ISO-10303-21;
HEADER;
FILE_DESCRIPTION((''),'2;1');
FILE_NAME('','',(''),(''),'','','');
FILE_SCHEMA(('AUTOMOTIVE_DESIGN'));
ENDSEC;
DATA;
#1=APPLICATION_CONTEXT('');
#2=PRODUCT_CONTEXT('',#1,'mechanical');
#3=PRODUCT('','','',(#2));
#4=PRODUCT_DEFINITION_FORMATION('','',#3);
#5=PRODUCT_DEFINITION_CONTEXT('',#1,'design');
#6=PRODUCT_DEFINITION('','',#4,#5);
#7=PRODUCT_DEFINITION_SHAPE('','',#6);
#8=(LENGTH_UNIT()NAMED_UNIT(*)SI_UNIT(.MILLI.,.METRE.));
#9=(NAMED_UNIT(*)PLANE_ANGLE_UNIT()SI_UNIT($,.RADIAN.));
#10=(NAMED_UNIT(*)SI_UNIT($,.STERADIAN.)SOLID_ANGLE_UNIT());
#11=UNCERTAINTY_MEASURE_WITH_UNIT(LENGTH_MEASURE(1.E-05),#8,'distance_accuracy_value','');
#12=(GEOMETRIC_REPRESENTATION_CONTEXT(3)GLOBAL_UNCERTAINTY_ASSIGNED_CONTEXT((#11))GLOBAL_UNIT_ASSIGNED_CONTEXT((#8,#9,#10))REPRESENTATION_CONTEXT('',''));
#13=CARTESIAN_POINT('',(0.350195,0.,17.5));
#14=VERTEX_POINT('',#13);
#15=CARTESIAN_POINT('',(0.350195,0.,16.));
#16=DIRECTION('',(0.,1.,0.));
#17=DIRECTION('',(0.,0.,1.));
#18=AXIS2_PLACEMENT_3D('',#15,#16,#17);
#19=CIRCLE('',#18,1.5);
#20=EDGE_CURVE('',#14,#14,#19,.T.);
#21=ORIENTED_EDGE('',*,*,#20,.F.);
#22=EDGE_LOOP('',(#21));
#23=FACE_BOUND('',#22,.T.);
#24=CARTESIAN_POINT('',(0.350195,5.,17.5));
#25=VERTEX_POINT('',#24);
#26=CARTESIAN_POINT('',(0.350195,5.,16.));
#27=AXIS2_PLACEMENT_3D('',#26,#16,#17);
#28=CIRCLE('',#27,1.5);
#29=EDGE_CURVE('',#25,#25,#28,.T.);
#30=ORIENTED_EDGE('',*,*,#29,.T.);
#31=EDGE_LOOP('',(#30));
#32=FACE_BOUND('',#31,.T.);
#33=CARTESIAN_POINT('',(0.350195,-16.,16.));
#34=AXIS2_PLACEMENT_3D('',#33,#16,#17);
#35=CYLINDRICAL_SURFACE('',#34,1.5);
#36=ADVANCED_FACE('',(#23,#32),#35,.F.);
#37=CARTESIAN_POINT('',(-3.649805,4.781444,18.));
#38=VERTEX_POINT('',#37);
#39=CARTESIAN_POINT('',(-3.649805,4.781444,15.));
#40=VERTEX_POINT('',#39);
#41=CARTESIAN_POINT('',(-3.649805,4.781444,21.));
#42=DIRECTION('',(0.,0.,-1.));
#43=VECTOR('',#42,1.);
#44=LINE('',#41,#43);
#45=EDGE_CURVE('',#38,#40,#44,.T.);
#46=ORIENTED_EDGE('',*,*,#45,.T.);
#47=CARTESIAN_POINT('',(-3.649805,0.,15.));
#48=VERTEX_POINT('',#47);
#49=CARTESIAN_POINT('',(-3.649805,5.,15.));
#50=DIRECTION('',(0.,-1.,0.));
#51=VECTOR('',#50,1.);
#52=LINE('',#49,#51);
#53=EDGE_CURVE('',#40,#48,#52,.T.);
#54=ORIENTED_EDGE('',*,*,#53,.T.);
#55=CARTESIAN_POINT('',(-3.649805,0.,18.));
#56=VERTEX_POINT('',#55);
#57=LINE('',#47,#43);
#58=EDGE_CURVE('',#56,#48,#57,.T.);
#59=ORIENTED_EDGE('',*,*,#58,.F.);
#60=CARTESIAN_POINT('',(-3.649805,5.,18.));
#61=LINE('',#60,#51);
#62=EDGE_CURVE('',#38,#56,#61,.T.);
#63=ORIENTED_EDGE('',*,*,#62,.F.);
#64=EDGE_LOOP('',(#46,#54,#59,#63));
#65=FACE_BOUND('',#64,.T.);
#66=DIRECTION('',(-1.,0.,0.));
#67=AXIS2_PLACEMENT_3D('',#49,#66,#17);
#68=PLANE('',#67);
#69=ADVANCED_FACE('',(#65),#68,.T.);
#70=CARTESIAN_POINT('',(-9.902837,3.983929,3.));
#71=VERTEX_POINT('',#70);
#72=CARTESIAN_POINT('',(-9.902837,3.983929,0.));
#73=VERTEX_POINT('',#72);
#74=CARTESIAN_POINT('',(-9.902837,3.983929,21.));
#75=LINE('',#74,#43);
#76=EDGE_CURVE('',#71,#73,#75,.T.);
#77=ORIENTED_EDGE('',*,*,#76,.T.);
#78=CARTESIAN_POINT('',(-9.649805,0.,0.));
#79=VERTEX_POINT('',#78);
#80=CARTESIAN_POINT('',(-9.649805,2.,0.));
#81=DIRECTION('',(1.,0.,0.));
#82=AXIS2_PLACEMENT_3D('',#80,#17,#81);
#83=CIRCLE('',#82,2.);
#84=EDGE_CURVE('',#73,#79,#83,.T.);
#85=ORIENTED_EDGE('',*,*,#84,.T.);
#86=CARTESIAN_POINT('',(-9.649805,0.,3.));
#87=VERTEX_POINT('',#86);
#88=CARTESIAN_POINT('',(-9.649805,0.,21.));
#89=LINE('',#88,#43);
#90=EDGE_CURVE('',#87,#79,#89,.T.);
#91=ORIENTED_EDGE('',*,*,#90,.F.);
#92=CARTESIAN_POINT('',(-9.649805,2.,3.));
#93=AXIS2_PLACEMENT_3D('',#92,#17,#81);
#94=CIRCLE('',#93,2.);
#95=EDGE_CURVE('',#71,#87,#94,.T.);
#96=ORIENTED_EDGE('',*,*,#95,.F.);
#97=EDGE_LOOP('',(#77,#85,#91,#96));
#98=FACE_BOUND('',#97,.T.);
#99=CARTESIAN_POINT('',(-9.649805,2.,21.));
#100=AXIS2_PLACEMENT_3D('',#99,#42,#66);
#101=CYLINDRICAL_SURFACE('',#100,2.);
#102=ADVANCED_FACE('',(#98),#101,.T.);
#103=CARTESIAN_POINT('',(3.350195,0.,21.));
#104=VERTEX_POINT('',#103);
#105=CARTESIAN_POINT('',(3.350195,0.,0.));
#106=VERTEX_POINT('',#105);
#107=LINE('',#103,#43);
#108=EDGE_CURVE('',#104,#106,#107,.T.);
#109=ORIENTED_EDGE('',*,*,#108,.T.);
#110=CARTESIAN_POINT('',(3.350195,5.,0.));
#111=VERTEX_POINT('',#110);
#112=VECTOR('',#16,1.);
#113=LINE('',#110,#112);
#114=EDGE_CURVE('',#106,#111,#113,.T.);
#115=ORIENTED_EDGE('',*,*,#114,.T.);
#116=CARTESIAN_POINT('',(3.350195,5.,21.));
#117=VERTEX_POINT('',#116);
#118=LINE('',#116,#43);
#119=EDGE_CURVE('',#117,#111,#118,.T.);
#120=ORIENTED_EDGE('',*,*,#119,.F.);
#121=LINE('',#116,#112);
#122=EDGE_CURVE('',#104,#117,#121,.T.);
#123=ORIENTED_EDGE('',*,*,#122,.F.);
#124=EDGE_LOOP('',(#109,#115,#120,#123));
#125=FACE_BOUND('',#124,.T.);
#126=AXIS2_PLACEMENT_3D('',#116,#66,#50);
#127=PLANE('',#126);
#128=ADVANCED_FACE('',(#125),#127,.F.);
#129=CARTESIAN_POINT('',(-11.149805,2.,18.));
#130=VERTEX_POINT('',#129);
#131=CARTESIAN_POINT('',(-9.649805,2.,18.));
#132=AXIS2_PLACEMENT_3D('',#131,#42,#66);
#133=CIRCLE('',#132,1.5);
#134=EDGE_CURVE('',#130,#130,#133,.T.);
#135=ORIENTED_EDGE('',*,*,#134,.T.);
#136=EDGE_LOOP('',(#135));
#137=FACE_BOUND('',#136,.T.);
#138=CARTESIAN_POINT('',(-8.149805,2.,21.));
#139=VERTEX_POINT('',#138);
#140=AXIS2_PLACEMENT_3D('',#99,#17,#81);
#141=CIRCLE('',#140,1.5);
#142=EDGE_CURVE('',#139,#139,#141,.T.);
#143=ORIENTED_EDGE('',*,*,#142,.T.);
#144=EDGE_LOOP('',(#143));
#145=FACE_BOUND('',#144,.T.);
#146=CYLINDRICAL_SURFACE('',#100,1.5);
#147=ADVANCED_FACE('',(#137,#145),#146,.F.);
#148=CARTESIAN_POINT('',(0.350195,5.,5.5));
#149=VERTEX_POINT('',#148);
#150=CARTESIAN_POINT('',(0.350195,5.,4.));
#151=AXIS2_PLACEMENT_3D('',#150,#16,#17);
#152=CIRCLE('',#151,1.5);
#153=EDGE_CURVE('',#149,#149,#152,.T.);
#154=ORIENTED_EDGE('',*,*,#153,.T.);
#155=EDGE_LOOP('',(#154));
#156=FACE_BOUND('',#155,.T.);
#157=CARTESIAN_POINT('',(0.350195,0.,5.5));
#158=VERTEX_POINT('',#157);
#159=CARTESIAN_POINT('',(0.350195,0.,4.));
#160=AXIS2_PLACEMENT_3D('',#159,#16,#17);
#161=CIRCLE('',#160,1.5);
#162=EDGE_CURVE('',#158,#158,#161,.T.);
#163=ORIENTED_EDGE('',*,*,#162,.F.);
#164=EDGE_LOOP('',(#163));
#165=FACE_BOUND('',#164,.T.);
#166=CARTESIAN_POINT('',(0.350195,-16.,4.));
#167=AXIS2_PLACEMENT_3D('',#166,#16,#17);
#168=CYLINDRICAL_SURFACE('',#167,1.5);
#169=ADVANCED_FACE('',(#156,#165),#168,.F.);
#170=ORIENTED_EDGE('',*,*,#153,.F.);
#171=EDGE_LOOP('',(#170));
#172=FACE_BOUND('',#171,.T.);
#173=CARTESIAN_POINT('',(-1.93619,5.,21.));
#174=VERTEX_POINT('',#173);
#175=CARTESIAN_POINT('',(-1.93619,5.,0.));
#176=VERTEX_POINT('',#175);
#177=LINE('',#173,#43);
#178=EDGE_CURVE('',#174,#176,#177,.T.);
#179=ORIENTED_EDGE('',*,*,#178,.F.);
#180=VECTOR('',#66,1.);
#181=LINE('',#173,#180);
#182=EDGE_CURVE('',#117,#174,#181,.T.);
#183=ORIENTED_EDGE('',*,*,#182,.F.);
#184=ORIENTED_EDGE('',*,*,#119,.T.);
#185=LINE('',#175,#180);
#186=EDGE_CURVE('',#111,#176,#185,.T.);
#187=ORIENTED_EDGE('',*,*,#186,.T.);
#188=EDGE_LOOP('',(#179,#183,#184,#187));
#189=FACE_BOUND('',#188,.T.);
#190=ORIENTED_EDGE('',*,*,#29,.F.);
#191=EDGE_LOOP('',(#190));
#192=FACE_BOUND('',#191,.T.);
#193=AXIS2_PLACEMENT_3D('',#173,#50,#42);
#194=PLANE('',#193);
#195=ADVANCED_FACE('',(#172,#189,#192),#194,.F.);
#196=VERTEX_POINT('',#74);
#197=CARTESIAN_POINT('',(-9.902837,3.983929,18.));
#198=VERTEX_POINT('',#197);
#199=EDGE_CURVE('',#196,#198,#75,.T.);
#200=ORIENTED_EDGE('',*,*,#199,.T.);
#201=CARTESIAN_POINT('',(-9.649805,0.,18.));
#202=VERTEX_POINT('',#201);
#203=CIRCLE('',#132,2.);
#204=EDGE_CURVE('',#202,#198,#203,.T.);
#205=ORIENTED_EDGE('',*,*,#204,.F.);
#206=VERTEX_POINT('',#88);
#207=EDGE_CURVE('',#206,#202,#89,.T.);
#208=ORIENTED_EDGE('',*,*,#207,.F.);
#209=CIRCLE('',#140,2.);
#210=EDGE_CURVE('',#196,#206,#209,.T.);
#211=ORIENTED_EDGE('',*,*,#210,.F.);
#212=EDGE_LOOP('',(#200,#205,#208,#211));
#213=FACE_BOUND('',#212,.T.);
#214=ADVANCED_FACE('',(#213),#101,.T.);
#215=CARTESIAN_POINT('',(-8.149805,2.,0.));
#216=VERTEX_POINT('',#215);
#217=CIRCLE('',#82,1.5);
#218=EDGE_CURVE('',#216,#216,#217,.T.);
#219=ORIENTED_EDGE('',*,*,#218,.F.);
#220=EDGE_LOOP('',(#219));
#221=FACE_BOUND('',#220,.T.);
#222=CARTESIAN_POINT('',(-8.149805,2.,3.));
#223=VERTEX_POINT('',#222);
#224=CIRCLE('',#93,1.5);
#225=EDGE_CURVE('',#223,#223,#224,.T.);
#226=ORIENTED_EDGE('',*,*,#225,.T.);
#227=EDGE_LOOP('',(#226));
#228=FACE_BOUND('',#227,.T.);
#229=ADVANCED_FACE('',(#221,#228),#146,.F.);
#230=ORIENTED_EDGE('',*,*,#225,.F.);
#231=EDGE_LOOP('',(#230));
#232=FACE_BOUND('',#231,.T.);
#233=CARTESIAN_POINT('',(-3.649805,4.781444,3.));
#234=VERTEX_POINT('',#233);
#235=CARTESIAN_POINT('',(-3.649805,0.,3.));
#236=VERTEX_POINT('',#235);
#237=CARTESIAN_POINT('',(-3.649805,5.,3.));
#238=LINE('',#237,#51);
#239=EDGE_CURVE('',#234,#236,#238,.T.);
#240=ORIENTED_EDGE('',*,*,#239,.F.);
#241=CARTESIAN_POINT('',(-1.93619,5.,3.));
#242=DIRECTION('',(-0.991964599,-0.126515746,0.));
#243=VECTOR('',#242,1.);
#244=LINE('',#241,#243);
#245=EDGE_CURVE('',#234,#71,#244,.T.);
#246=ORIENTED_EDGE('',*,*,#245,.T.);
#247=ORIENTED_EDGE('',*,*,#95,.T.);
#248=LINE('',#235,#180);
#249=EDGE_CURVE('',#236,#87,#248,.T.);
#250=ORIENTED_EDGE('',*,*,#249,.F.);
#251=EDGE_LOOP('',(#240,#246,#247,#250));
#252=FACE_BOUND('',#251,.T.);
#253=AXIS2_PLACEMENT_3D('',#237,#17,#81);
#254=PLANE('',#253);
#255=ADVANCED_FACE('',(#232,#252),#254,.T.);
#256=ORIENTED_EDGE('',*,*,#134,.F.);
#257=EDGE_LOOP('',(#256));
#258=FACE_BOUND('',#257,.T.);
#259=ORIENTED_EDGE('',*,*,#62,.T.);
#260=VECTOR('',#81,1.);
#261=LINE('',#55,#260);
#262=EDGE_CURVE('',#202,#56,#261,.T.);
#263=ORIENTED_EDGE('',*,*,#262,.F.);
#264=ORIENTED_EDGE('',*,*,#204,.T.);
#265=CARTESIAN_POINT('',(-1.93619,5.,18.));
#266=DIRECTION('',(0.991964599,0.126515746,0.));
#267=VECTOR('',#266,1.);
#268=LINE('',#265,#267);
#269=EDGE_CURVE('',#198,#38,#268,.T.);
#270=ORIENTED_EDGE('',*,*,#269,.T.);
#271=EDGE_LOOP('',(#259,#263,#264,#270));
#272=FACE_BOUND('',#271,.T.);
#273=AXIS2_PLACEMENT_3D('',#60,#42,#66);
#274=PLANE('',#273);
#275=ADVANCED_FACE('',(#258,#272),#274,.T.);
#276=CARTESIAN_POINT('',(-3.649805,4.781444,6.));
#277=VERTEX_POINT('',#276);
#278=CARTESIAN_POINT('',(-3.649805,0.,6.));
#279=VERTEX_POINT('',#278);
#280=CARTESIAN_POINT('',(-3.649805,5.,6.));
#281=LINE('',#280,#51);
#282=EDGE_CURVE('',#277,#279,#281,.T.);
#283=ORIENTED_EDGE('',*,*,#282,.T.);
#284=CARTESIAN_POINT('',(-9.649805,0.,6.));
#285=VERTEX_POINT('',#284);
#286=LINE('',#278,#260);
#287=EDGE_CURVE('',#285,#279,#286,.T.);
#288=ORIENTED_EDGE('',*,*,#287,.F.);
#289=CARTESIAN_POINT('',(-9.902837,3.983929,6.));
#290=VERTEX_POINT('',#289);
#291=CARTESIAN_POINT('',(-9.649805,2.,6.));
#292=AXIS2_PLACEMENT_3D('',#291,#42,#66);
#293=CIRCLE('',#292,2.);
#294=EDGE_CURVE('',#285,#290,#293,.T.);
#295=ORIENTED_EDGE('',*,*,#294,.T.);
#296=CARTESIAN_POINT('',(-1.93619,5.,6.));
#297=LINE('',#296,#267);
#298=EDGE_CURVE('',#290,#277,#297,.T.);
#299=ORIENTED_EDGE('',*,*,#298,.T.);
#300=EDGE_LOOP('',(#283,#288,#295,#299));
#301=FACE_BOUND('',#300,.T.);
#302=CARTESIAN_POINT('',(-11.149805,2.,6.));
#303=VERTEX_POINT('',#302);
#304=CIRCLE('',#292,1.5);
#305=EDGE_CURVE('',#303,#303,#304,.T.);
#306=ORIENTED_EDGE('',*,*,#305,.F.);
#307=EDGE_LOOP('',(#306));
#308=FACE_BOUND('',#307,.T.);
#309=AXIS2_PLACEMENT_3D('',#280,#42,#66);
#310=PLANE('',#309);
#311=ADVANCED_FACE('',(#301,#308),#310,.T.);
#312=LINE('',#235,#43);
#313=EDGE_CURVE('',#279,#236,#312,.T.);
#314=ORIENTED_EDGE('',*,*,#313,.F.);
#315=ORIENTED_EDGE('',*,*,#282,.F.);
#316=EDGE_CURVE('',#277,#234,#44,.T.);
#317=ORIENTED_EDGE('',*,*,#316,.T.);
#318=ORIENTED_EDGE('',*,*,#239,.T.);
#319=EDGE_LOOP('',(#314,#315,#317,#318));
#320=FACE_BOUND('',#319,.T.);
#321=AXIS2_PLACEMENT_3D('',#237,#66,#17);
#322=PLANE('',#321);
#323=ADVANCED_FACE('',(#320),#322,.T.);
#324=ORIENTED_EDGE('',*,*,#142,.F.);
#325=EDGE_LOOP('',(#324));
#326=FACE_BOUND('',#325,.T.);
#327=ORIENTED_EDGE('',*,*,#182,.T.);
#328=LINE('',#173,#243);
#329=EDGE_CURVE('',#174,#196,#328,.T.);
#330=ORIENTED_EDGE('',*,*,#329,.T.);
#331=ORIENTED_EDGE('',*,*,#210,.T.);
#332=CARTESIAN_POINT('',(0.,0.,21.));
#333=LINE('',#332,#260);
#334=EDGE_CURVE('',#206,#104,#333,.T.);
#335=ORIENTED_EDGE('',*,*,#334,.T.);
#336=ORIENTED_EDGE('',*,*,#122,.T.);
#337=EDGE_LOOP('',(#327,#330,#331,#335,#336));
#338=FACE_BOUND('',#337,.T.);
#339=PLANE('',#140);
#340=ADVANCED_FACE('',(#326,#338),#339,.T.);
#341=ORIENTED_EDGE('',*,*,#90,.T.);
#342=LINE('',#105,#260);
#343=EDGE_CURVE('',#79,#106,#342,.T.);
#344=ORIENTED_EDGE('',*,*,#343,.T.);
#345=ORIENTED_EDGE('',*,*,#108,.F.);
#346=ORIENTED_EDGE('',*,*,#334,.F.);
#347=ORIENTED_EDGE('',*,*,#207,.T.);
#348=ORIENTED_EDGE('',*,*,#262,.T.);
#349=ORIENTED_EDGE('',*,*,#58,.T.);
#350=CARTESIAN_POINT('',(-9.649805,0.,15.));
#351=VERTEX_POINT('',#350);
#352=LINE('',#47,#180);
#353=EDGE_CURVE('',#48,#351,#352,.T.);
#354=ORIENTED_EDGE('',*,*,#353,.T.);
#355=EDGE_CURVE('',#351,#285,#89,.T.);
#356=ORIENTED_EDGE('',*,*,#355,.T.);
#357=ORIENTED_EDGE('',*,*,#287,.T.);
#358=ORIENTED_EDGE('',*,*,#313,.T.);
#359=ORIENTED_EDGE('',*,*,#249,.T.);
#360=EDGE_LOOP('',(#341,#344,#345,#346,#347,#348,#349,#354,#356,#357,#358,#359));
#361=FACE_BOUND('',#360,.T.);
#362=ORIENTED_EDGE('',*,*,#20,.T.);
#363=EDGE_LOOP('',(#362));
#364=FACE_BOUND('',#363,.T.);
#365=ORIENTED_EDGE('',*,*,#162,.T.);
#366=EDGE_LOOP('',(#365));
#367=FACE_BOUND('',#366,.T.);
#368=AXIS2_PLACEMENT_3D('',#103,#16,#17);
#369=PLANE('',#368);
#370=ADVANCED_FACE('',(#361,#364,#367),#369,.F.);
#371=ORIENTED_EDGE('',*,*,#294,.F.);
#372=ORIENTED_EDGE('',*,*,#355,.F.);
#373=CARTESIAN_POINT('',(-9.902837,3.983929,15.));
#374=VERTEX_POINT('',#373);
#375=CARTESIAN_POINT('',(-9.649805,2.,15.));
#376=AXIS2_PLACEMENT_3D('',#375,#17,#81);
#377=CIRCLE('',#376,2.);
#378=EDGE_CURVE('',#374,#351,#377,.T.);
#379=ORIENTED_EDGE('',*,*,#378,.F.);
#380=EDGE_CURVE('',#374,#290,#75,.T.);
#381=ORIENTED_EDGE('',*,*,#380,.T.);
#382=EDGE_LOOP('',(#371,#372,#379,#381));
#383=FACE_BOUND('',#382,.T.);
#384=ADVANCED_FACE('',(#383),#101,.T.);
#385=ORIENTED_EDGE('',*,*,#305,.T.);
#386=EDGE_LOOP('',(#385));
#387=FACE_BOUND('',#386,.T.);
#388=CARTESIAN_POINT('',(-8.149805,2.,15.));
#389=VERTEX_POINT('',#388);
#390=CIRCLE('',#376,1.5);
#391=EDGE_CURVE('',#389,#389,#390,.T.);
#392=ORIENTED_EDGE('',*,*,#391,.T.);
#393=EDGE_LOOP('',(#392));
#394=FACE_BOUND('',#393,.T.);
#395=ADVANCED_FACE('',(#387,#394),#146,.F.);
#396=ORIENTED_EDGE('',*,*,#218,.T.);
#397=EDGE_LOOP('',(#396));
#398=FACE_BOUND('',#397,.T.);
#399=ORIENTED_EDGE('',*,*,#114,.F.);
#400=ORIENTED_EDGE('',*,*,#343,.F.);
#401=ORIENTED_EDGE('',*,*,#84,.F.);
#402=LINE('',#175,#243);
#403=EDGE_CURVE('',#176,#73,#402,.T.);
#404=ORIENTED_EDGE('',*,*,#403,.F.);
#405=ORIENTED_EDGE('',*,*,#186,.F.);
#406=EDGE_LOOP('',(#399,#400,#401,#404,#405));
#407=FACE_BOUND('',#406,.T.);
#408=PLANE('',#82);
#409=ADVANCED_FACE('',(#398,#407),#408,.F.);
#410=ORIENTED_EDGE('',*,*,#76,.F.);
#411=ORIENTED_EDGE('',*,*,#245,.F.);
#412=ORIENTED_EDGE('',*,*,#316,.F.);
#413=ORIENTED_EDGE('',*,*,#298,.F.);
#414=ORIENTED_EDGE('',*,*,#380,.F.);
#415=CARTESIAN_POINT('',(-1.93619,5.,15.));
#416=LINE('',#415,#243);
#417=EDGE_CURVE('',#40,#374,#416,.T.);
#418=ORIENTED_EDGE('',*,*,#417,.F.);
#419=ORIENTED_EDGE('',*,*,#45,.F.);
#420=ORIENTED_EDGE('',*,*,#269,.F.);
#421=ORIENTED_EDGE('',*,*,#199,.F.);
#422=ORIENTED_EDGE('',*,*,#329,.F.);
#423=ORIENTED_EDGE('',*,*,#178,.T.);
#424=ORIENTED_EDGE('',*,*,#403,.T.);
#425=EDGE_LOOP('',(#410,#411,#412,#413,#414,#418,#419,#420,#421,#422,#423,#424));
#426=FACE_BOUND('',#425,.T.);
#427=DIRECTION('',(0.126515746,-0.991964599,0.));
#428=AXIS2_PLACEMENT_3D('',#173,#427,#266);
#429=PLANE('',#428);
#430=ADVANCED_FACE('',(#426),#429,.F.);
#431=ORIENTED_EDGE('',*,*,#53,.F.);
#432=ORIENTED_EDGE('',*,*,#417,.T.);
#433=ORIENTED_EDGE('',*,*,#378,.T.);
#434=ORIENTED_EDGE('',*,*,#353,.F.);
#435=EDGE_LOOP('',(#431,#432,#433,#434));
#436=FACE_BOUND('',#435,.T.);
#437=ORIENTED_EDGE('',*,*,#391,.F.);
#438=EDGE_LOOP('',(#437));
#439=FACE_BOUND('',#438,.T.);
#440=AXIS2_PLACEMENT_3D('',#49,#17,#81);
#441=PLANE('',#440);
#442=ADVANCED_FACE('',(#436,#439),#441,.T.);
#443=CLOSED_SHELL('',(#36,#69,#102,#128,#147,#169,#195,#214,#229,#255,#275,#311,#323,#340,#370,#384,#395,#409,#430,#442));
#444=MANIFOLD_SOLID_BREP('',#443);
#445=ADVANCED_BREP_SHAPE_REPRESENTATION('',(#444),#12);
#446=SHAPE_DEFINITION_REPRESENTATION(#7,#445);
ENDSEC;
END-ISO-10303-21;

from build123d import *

# Parameters (mm, degrees)
SKETCH_1_R          = 1.5
EXTRUDE_1_DEPTH     = 21
SKETCH_3_W          = 8
SKETCH_3_H          = 3
CUT_EXTRUDE_1_DEPTH = 6
SKETCH_4_R          = 1.5
CUT_EXTRUDE_2_DEPTH = 21


with BuildPart() as part:
    # 草图1 → 凸台-拉伸1 (new body)
    with BuildSketch(Plane.XY):
        with BuildLine():
            Line((-1.936190112, 5), (3.350194549, 5))
            Line((3.350194549, 5), (3.350194549, 0))
            Line((3.350194549, 0), (0, 0))
            Line((0, 0), (-9.649805451, 0))
            ThreePointArc((-9.649805451, 0), (-11.645783707, 1.873229335), (-9.902836943, 3.983929198))
            Line((-9.902836943, 3.983929198), (-1.936190112, 5))
        make_face()
        with Locations((-9.649805451, 2)):
            Circle(SKETCH_1_R, mode=Mode.SUBTRACT)
    extrude(amount=EXTRUDE_1_DEPTH)

    # 草图3 → 切除-拉伸1 (cut, through all)
    with BuildSketch(Plane(origin=(0, 0, 0), x_dir=(1, 0, 0), z_dir=(0, 1, 0))):
        with Locations((-7.649805451, -4.5)):
            Rectangle(SKETCH_3_W, SKETCH_3_H)
        with Locations((-7.649805451, -16.5)):
            Rectangle(SKETCH_3_W, SKETCH_3_H)
    extrude(amount=CUT_EXTRUDE_1_DEPTH, mode=Mode.SUBTRACT)

    # 草图4 → 切除-拉伸2 (cut)
    with BuildSketch(Plane(origin=(0, 5, 0), x_dir=(1, 0, 0), z_dir=(0, 1, 0))):
        with Locations((0.350194549, -4)):
            Circle(SKETCH_4_R)
        with Locations((0.350194549, -16)):
            Circle(SKETCH_4_R)
    extrude(amount=-CUT_EXTRUDE_2_DEPTH, mode=Mode.SUBTRACT)


solid = part.part
